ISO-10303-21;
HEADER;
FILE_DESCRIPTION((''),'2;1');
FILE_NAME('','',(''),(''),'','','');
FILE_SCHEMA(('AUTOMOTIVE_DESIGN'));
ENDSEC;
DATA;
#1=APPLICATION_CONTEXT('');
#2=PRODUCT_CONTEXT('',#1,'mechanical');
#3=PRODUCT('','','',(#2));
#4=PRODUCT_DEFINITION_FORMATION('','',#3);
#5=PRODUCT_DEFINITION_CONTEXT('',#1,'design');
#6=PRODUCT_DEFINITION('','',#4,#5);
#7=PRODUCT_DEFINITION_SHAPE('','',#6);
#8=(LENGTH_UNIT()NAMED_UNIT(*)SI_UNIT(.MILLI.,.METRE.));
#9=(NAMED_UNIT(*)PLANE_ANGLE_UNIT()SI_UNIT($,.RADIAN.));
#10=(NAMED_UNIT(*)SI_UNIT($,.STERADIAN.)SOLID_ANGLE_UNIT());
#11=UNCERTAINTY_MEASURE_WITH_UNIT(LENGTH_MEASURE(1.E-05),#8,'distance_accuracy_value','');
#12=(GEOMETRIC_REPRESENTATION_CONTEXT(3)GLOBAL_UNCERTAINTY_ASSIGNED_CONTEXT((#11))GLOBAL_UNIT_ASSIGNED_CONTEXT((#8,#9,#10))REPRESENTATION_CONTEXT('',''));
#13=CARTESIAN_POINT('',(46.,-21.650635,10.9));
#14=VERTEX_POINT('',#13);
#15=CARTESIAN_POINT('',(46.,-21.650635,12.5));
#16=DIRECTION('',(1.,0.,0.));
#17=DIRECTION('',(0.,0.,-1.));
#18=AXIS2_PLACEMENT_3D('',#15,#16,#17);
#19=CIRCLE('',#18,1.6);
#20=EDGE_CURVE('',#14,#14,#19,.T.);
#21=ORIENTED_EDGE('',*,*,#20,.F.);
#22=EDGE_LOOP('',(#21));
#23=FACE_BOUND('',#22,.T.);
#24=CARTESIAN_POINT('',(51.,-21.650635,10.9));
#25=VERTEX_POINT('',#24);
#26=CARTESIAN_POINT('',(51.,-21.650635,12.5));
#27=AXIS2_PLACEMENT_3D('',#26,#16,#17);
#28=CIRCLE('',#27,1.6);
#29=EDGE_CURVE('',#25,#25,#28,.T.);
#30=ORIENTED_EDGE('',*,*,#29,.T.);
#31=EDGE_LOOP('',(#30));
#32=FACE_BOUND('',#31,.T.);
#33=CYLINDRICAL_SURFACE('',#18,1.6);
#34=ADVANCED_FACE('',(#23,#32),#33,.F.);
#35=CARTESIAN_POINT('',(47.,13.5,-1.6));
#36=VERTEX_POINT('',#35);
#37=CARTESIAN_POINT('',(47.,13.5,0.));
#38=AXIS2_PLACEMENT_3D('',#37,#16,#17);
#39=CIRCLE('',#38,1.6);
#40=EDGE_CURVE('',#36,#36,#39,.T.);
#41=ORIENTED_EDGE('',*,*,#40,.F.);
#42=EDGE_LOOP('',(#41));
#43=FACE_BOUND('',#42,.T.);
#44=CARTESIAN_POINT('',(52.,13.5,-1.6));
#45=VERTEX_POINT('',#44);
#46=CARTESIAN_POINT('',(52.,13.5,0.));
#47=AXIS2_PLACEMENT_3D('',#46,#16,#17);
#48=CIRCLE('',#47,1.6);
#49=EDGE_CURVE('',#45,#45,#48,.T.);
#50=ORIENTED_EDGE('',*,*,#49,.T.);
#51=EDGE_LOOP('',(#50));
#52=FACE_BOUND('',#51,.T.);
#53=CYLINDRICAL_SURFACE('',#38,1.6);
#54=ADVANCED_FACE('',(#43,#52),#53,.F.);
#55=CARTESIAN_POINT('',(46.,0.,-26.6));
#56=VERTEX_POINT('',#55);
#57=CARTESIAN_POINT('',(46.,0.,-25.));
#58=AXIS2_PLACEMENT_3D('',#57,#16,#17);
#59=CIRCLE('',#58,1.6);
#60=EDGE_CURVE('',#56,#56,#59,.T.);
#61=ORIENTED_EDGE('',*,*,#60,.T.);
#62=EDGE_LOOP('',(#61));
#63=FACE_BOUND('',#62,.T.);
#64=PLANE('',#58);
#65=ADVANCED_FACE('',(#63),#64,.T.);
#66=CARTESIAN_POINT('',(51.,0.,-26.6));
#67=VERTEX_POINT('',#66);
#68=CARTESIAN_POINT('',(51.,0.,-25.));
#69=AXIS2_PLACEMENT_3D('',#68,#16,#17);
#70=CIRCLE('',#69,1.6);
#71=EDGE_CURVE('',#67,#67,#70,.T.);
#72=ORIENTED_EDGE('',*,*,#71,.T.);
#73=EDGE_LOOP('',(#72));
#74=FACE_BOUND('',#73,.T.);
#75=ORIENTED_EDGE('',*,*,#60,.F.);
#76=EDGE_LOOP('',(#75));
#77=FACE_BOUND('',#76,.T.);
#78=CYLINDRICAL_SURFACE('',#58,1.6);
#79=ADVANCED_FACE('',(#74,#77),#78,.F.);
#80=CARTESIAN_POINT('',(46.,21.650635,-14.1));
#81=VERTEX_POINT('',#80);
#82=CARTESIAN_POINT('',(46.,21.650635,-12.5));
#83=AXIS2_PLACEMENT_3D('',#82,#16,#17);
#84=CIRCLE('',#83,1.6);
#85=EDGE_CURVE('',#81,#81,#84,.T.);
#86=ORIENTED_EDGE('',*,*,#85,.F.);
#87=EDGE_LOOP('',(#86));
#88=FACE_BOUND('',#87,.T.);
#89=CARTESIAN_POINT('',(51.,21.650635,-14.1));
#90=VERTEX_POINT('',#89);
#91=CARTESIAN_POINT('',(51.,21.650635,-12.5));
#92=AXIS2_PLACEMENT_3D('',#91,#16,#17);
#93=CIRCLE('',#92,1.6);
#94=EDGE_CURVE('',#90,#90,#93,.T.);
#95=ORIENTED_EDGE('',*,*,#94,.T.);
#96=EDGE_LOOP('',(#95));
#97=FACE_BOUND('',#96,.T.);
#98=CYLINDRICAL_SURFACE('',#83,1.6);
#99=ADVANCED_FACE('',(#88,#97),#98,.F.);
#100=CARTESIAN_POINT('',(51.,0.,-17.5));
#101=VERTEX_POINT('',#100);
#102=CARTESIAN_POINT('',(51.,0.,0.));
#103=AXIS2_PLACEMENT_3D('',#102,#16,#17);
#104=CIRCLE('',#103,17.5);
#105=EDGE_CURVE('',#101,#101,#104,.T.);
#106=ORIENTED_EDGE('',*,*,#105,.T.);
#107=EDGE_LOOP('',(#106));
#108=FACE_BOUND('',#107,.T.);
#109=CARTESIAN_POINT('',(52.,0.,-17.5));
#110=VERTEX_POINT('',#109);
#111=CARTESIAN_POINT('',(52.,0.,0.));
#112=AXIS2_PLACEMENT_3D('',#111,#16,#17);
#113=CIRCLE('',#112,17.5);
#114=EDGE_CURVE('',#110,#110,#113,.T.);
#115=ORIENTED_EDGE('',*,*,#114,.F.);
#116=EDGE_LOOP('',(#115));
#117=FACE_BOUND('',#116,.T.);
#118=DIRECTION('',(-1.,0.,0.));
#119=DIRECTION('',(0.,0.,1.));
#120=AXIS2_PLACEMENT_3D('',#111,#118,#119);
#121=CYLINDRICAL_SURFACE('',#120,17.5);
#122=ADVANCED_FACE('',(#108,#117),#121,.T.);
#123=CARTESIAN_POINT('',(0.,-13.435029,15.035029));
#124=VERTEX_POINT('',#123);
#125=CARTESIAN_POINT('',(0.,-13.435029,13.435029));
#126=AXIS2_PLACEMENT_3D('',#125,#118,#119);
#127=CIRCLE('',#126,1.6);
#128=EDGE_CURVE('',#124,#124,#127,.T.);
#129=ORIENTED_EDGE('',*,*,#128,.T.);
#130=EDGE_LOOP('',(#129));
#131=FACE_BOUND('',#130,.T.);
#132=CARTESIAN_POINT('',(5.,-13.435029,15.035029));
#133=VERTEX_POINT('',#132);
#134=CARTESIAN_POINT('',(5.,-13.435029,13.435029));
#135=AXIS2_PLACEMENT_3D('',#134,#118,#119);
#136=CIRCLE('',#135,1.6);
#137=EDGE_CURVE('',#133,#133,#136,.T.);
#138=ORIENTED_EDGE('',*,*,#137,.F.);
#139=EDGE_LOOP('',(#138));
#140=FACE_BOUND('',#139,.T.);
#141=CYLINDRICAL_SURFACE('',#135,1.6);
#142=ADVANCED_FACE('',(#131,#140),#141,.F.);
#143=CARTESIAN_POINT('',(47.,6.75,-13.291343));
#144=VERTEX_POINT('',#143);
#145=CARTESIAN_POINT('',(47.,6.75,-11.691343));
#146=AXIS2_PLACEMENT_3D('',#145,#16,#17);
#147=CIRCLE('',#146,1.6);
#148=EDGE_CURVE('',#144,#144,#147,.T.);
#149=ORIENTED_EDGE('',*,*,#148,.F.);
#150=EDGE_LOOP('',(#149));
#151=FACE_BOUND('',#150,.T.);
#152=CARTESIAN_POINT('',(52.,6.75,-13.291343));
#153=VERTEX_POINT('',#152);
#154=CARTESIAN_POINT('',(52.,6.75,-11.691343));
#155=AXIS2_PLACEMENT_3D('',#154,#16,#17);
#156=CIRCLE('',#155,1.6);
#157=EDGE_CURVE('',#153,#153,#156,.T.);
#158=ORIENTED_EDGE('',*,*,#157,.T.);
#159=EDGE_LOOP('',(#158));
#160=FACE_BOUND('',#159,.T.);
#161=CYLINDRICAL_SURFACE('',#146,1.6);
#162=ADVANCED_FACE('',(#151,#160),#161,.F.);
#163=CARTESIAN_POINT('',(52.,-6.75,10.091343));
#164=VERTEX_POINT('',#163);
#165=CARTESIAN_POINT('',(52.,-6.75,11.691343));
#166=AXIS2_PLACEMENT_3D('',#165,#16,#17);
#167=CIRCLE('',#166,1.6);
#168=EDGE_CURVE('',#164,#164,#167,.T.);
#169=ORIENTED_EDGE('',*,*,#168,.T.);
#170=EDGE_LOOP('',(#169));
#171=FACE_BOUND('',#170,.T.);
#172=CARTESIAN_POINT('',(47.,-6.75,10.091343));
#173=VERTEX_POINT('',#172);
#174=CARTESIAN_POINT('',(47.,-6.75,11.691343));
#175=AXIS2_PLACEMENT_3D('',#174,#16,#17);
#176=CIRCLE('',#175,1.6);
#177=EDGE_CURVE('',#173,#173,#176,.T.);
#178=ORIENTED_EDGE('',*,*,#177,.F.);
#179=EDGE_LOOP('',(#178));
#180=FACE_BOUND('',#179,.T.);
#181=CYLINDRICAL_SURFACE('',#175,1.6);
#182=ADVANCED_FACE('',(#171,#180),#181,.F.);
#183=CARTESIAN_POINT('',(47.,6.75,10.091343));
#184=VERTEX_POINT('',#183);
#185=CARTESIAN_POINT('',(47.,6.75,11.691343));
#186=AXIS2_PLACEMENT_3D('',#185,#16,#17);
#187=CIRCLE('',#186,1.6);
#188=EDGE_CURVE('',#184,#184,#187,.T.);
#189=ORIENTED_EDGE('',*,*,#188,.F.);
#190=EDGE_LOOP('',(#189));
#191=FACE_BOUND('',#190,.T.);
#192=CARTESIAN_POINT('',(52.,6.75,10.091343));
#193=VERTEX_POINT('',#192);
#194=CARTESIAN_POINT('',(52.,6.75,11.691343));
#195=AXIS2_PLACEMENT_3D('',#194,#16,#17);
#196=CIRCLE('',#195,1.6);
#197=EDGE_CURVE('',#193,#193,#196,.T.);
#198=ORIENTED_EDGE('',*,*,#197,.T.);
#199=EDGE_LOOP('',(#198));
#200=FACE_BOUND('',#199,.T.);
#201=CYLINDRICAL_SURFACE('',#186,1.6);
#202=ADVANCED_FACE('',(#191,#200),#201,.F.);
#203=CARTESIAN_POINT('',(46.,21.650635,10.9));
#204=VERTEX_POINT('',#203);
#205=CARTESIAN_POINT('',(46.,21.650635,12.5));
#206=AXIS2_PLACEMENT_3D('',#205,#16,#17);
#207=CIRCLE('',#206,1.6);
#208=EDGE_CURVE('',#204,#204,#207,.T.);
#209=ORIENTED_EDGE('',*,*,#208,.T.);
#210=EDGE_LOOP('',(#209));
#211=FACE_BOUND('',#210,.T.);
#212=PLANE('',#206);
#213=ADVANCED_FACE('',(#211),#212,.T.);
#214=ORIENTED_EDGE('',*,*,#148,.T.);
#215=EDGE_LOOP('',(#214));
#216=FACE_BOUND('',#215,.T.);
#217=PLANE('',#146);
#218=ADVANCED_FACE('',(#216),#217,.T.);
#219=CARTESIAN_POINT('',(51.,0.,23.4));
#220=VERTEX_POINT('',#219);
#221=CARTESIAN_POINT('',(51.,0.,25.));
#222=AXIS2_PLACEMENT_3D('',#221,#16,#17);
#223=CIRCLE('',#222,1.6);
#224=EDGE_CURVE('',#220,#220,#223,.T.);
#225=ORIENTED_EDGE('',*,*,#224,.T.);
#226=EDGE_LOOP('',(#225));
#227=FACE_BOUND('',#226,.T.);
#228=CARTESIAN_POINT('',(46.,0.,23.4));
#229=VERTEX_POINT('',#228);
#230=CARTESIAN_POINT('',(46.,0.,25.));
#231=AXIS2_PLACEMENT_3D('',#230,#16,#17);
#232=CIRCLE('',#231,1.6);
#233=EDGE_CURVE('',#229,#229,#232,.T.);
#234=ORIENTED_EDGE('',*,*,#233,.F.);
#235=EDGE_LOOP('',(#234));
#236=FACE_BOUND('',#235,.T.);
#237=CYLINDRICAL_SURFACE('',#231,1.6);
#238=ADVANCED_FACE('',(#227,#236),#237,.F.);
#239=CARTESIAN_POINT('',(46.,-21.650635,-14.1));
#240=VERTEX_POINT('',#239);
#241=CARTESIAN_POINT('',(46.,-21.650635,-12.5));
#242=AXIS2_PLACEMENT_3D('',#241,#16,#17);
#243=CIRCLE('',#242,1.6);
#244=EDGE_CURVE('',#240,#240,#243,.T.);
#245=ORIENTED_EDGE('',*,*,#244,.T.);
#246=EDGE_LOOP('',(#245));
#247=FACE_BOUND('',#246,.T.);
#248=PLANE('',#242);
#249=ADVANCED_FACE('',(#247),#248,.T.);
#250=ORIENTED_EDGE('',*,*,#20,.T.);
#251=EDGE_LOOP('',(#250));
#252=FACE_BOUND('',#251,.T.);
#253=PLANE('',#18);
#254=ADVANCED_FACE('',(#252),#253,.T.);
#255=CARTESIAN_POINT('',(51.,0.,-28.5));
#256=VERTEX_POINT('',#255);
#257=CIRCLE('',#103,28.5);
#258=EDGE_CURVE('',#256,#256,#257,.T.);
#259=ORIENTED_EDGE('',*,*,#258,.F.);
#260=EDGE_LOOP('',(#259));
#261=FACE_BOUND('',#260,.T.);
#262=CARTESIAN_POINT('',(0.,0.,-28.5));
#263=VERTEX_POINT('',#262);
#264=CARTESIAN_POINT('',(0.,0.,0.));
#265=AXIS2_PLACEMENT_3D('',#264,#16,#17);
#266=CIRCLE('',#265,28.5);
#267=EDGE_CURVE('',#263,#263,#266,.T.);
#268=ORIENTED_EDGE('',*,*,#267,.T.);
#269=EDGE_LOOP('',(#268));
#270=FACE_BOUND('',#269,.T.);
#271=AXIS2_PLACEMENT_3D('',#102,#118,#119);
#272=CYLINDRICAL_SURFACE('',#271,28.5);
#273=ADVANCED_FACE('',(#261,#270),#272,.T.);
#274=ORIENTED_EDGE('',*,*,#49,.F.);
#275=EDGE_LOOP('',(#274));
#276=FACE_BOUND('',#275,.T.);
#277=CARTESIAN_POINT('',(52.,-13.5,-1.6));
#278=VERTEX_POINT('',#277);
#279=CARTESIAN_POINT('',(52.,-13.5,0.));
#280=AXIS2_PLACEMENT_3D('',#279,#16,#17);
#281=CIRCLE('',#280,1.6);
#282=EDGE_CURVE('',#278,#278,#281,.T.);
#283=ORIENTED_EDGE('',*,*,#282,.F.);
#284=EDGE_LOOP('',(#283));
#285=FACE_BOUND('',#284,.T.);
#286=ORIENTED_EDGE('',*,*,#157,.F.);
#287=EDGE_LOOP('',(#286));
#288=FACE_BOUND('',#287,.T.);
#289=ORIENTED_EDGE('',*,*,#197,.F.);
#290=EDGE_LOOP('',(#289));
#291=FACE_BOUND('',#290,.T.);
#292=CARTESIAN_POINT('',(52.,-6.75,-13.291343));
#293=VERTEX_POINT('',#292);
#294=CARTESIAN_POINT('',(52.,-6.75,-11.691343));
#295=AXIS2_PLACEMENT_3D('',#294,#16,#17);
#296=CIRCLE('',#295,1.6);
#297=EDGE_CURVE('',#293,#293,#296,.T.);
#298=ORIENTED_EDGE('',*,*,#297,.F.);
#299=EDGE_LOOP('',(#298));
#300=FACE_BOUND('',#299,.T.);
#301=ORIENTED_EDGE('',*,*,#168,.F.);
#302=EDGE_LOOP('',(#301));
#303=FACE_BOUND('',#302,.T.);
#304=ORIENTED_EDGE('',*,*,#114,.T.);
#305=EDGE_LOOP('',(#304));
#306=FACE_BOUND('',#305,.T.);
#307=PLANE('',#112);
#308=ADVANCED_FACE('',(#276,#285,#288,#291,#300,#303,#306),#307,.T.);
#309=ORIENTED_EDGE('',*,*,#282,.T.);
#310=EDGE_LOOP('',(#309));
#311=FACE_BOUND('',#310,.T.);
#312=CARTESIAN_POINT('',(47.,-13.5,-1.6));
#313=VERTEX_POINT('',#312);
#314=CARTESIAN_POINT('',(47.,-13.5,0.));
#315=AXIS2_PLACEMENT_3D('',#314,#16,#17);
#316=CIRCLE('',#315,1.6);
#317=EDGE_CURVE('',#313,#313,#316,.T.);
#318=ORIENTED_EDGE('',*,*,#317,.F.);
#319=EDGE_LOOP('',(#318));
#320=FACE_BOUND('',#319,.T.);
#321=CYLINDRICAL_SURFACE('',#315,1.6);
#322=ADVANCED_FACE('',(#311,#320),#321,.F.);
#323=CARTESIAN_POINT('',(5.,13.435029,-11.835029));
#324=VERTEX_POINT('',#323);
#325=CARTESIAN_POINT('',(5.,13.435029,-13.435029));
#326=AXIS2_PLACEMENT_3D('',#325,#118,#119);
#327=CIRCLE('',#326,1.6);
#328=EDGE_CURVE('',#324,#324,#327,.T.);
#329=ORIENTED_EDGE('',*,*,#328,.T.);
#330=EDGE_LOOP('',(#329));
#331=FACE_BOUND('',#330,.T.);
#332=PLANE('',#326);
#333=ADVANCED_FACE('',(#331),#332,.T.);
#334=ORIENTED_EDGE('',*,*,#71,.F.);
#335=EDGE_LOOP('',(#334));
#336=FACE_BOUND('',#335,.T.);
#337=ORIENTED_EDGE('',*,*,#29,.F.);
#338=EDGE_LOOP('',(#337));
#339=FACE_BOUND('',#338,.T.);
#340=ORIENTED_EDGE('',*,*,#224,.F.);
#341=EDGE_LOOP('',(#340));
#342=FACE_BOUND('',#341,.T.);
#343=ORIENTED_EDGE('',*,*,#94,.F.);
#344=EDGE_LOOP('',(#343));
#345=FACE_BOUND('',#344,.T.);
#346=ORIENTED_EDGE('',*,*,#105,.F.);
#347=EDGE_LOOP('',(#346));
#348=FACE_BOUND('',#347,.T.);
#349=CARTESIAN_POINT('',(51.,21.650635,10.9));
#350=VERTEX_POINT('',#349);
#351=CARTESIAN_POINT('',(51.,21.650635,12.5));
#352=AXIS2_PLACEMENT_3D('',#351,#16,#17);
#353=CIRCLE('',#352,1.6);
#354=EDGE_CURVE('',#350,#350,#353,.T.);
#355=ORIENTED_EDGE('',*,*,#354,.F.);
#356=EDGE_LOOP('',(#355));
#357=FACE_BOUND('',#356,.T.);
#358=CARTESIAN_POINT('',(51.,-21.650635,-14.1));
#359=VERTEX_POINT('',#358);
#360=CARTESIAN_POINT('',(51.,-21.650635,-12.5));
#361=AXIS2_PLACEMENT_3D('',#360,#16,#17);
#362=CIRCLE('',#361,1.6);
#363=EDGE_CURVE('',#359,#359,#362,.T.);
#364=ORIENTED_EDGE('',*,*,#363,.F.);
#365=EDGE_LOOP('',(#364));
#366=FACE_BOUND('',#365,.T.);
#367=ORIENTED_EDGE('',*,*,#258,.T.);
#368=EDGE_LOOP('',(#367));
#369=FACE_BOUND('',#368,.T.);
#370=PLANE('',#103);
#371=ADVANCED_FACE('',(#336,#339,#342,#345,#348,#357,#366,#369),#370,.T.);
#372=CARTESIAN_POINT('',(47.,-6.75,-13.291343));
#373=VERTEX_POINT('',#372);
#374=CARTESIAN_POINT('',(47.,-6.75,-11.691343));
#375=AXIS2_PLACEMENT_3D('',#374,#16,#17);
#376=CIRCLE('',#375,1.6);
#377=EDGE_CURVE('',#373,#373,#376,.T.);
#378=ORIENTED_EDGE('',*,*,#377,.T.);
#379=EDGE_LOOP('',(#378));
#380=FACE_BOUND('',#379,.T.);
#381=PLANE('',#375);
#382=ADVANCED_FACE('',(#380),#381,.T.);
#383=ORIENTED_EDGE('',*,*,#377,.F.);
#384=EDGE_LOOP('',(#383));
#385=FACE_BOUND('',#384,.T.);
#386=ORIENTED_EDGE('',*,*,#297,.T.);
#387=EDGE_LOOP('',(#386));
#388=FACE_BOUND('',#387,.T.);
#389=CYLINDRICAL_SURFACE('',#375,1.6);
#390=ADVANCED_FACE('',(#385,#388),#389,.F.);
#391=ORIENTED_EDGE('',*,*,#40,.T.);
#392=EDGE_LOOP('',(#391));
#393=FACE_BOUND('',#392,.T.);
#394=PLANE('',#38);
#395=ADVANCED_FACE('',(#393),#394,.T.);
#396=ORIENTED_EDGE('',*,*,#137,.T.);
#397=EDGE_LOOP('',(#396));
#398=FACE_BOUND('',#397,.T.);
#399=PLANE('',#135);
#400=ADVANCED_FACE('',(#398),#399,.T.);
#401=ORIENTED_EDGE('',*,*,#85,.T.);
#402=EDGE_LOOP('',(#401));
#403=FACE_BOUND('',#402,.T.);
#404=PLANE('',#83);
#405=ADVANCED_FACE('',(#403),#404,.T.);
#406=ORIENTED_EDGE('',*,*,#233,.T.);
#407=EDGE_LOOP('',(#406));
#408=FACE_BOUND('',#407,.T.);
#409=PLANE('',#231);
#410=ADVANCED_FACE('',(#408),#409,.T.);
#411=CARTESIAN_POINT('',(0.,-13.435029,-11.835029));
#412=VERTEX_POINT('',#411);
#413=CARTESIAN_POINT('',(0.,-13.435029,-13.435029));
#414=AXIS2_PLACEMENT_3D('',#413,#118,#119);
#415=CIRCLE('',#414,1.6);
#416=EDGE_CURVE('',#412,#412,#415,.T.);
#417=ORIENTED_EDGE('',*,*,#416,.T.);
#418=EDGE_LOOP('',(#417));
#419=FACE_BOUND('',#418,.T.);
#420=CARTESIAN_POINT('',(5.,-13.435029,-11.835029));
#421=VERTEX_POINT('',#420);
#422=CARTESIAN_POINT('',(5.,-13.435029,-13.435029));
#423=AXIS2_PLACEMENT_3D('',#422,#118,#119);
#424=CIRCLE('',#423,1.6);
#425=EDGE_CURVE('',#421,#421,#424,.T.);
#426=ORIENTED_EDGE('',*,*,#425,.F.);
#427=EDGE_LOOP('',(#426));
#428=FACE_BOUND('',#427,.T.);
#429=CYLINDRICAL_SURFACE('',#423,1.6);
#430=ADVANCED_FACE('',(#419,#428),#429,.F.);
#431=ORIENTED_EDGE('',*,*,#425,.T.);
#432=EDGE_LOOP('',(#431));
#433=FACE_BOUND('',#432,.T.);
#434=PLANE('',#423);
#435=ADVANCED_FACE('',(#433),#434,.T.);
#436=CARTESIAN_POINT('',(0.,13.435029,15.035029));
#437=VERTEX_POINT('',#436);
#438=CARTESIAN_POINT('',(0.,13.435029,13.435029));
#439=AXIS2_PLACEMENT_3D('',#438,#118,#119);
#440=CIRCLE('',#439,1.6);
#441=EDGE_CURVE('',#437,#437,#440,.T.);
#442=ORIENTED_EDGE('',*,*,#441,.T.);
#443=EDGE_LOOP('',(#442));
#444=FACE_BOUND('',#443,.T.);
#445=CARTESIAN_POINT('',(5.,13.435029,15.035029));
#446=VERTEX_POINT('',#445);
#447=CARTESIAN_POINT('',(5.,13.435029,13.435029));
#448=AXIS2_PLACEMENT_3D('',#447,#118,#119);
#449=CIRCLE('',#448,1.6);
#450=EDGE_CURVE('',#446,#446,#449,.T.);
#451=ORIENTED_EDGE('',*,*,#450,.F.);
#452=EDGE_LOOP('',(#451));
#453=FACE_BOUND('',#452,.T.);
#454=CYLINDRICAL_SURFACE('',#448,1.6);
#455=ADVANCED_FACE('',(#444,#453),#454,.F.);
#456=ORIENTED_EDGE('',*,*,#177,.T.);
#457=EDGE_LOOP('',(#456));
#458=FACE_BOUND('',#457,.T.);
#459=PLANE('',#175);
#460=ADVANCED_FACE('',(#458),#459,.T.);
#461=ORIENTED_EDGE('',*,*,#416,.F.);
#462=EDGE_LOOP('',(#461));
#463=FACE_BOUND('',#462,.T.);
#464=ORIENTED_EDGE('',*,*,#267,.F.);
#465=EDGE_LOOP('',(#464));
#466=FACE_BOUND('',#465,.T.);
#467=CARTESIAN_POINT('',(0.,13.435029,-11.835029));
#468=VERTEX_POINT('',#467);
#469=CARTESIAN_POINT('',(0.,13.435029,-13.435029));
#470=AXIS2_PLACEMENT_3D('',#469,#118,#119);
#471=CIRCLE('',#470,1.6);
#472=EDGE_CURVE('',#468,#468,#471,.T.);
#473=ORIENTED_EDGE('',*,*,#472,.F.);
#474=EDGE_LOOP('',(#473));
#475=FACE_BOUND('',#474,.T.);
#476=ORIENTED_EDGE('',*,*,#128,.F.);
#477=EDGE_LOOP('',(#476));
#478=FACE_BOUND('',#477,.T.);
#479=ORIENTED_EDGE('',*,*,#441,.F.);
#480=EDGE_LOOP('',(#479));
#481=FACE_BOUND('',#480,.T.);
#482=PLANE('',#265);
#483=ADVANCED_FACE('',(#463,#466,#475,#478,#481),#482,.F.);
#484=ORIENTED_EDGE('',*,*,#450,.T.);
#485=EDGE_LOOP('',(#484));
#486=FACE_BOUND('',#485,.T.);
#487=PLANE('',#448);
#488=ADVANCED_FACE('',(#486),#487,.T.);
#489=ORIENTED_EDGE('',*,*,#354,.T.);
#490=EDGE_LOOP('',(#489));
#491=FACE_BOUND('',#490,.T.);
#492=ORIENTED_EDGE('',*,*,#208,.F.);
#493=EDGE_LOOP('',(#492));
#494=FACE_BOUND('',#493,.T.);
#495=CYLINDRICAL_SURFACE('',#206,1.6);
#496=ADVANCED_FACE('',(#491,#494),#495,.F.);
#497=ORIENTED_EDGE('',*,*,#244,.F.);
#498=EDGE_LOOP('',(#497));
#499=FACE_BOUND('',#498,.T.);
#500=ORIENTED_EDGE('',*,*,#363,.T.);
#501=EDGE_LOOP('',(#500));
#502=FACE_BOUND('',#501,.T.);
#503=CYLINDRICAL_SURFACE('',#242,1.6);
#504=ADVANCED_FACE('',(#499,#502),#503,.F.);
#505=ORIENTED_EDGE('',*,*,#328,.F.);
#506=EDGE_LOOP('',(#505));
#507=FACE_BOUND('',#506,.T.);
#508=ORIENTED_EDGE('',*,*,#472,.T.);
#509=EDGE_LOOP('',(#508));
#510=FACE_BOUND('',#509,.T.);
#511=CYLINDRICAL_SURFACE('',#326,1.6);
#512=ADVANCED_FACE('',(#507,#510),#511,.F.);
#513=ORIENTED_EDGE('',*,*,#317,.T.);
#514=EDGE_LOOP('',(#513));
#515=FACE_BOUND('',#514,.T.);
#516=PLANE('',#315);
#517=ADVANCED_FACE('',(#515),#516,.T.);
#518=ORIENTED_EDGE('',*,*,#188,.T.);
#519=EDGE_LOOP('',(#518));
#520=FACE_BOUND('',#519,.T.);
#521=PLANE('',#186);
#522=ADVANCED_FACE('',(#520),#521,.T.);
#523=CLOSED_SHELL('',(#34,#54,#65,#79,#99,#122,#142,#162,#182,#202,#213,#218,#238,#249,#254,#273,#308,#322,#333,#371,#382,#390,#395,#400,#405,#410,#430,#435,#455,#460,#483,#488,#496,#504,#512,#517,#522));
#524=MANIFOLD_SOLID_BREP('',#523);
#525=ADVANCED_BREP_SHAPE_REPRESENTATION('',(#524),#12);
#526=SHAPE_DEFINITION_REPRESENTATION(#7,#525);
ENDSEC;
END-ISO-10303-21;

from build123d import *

# Parameters (mm, degrees)
SKETCH_1_R          = 28.5
EXTRUDE_1_DEPTH     = 51
SKETCH_2_R          = 17.5
EXTRUDE_2_DEPTH     = 1
SKETCH_3_R          = 1.6
CUT_EXTRUDE_1_DEPTH = 5
SKETCH_4_R          = 1.6
CUT_EXTRUDE_2_DEPTH = 5
SKETCH_5_R          = 1.6
CUT_EXTRUDE_3_DEPTH = 5


with BuildPart() as part:
    # 草图1 → 凸台-拉伸1 (new body)
    with BuildSketch(Plane(origin=(0, 0, 0), x_dir=(0, 0, -1), z_dir=(1, 0, 0))):
        Circle(SKETCH_1_R)
    extrude(amount=EXTRUDE_1_DEPTH)

    # 草图2 → 凸台-拉伸2 (add)
    with BuildSketch(Plane(origin=(51, 0, 0), x_dir=(0, 0, -1), z_dir=(1, 0, 0))):
        Circle(SKETCH_2_R)
    extrude(amount=EXTRUDE_2_DEPTH)

    # 草图3 → 切除-拉伸1 (cut)
    with BuildSketch(Plane.ZY):
        with Locations((13.435028843, 13.435028843)):
            Circle(SKETCH_3_R)
        with Locations((13.435028843, -13.435028843)):
            Circle(SKETCH_3_R)
        with Locations((-13.435028843, -13.435028843)):
            Circle(SKETCH_3_R)
        with Locations((-13.435028843, 13.435028843)):
            Circle(SKETCH_3_R)
    extrude(amount=-CUT_EXTRUDE_1_DEPTH, mode=Mode.SUBTRACT)

    # 草图4 → 切除-拉伸2 (cut)
    with BuildSketch(Plane(origin=(51, 0, 0), x_dir=(0, 0, -1), z_dir=(1, 0, 0))):
        with Locations((-12.5, 21.650635095)):
            Circle(SKETCH_4_R)
        with Locations((12.5, 21.650635095)):
            Circle(SKETCH_4_R)
        with Locations((25, 0)):
            Circle(SKETCH_4_R)
        with Locations((12.5, -21.650635095)):
            Circle(SKETCH_4_R)
        with Locations((-12.5, -21.650635095)):
            Circle(SKETCH_4_R)
        with Locations((-25, 0)):
            Circle(SKETCH_4_R)
    extrude(amount=-CUT_EXTRUDE_2_DEPTH, mode=Mode.SUBTRACT)

    # 草图5 → 切除-拉伸3 (cut)
    with BuildSketch(Plane(origin=(52, 0, 0), x_dir=(0, 0, -1), z_dir=(1, 0, 0))):
        with Locations((0, 13.5)):
            Circle(SKETCH_5_R)
        with Locations((11.691342951, 6.75)):
            Circle(SKETCH_5_R)
        with Locations((11.691342951, -6.75)):
            Circle(SKETCH_5_R)
        with Locations((0, -13.5)):
            Circle(SKETCH_5_R)
        with Locations((-11.691342951, -6.75)):
            Circle(SKETCH_5_R)
        with Locations((-11.691342951, 6.75)):
            Circle(SKETCH_5_R)
    extrude(amount=-CUT_EXTRUDE_3_DEPTH, mode=Mode.SUBTRACT)


solid = part.part
